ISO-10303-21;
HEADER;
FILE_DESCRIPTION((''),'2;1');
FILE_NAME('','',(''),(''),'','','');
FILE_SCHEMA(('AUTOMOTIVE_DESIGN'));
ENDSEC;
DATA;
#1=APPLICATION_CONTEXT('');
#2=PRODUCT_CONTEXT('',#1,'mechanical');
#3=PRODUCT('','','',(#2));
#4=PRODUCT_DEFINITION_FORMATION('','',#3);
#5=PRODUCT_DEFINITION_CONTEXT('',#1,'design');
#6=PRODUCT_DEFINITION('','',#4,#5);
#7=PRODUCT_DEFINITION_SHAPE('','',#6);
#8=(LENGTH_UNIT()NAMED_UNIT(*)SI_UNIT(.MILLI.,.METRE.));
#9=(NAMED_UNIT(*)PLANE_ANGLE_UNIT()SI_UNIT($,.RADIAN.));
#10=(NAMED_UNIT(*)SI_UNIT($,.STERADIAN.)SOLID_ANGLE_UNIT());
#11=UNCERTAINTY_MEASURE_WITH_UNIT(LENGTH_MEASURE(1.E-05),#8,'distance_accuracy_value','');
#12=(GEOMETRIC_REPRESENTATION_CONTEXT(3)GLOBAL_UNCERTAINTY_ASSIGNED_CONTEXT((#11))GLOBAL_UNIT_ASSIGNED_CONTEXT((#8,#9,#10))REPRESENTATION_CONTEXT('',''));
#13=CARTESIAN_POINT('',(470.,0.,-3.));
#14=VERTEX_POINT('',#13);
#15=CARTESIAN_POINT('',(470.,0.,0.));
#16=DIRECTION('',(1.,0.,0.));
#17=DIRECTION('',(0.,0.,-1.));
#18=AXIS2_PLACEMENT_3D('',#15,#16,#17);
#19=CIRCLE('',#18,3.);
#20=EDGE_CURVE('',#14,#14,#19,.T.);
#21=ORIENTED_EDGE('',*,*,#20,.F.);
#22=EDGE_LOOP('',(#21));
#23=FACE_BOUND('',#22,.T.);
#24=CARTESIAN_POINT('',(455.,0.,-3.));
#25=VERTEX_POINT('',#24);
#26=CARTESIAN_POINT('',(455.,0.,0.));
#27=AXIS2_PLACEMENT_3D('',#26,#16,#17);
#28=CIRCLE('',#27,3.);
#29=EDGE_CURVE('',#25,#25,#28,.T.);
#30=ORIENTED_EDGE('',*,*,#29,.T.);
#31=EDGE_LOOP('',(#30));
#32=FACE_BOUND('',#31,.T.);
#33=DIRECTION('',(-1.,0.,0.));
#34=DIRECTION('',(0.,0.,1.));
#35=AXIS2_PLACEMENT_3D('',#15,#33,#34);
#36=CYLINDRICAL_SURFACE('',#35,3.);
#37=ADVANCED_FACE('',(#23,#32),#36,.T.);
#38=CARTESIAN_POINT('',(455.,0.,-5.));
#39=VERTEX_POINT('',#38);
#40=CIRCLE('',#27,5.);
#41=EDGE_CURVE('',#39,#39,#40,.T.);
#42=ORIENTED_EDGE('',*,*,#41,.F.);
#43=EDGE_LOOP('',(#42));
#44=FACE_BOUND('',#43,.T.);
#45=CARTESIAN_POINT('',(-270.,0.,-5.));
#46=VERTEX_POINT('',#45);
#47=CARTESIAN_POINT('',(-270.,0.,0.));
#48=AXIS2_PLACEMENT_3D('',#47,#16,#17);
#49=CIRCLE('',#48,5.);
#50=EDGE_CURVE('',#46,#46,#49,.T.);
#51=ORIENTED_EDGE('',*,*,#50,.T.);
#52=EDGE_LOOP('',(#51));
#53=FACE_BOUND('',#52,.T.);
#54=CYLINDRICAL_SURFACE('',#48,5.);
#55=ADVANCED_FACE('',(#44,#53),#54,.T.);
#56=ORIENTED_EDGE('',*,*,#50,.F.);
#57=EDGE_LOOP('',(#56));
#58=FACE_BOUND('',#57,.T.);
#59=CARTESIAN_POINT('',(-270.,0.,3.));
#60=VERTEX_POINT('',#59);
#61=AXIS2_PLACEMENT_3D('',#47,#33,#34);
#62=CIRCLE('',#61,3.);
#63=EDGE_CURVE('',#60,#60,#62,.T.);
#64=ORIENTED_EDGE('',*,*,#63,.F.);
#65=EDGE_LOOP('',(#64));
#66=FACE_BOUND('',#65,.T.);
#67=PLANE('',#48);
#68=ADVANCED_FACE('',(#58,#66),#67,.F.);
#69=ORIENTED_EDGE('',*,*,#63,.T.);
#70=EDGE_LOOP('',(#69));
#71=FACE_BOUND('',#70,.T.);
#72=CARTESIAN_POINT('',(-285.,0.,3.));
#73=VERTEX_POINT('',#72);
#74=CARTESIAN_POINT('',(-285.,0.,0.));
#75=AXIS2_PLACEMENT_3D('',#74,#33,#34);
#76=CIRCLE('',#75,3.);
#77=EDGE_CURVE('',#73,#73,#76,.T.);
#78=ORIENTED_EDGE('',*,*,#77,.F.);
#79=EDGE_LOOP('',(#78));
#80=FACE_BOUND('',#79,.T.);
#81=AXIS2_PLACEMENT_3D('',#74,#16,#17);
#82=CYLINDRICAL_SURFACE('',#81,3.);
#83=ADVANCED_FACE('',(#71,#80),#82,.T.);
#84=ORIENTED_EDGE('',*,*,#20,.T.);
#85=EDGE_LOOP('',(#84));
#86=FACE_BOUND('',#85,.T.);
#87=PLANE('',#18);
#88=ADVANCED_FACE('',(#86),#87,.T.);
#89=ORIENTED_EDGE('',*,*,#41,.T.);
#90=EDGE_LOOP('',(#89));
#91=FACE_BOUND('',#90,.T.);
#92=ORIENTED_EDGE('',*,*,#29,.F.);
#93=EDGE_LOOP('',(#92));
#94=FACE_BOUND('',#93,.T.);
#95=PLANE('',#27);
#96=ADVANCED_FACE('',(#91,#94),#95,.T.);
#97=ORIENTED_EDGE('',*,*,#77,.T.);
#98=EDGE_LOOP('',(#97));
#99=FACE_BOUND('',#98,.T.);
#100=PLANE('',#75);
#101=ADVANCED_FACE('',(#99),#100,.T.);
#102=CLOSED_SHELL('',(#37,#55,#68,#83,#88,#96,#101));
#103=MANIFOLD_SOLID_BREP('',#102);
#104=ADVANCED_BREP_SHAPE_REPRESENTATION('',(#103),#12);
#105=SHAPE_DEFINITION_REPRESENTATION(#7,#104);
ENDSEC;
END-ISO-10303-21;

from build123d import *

# Parameters (mm, degrees)
EXTRUDE_1_DEPTH      = 455
EXTRUDE_1_DEPTH_BACK = 270
SKETCH_1_R           = 5
SKETCH_2_R           = 3
EXTRUDE_2_DEPTH      = 15
EXTRUDE_START        = 15
SKETCH_7_R           = 3
EXTRUDE_3_DEPTH      = 15


with BuildPart() as part:
    # Эскиз1 → Бобышка-Вытянуть1 (new, two sides: drawn at the far end of the back side and taken through both)
    with BuildSketch(Plane(origin=(0, 0, 0), x_dir=(0, 0, -1), z_dir=(1, 0, 0)).offset(-EXTRUDE_1_DEPTH_BACK)):
        Circle(SKETCH_1_R)
    extrude(amount=EXTRUDE_1_DEPTH + EXTRUDE_1_DEPTH_BACK)

    # Эскиз2 → Бобышка-Вытянуть2 (add)
    with BuildSketch(Plane.ZY.offset(270)):
        Circle(SKETCH_2_R)
    extrude(amount=EXTRUDE_2_DEPTH)

    # Эскиз7 → Бобышка-Вытянуть3 (add)
    with BuildSketch(Plane(origin=(455, 0, 0), x_dir=(0, 0, -1), z_dir=(1, 0, 0)).offset(EXTRUDE_START)):
        with Locations(Location((0, 0, 0), (0, 0, 180))):
            Circle(SKETCH_7_R)
    extrude(amount=-EXTRUDE_3_DEPTH)


solid = part.part
